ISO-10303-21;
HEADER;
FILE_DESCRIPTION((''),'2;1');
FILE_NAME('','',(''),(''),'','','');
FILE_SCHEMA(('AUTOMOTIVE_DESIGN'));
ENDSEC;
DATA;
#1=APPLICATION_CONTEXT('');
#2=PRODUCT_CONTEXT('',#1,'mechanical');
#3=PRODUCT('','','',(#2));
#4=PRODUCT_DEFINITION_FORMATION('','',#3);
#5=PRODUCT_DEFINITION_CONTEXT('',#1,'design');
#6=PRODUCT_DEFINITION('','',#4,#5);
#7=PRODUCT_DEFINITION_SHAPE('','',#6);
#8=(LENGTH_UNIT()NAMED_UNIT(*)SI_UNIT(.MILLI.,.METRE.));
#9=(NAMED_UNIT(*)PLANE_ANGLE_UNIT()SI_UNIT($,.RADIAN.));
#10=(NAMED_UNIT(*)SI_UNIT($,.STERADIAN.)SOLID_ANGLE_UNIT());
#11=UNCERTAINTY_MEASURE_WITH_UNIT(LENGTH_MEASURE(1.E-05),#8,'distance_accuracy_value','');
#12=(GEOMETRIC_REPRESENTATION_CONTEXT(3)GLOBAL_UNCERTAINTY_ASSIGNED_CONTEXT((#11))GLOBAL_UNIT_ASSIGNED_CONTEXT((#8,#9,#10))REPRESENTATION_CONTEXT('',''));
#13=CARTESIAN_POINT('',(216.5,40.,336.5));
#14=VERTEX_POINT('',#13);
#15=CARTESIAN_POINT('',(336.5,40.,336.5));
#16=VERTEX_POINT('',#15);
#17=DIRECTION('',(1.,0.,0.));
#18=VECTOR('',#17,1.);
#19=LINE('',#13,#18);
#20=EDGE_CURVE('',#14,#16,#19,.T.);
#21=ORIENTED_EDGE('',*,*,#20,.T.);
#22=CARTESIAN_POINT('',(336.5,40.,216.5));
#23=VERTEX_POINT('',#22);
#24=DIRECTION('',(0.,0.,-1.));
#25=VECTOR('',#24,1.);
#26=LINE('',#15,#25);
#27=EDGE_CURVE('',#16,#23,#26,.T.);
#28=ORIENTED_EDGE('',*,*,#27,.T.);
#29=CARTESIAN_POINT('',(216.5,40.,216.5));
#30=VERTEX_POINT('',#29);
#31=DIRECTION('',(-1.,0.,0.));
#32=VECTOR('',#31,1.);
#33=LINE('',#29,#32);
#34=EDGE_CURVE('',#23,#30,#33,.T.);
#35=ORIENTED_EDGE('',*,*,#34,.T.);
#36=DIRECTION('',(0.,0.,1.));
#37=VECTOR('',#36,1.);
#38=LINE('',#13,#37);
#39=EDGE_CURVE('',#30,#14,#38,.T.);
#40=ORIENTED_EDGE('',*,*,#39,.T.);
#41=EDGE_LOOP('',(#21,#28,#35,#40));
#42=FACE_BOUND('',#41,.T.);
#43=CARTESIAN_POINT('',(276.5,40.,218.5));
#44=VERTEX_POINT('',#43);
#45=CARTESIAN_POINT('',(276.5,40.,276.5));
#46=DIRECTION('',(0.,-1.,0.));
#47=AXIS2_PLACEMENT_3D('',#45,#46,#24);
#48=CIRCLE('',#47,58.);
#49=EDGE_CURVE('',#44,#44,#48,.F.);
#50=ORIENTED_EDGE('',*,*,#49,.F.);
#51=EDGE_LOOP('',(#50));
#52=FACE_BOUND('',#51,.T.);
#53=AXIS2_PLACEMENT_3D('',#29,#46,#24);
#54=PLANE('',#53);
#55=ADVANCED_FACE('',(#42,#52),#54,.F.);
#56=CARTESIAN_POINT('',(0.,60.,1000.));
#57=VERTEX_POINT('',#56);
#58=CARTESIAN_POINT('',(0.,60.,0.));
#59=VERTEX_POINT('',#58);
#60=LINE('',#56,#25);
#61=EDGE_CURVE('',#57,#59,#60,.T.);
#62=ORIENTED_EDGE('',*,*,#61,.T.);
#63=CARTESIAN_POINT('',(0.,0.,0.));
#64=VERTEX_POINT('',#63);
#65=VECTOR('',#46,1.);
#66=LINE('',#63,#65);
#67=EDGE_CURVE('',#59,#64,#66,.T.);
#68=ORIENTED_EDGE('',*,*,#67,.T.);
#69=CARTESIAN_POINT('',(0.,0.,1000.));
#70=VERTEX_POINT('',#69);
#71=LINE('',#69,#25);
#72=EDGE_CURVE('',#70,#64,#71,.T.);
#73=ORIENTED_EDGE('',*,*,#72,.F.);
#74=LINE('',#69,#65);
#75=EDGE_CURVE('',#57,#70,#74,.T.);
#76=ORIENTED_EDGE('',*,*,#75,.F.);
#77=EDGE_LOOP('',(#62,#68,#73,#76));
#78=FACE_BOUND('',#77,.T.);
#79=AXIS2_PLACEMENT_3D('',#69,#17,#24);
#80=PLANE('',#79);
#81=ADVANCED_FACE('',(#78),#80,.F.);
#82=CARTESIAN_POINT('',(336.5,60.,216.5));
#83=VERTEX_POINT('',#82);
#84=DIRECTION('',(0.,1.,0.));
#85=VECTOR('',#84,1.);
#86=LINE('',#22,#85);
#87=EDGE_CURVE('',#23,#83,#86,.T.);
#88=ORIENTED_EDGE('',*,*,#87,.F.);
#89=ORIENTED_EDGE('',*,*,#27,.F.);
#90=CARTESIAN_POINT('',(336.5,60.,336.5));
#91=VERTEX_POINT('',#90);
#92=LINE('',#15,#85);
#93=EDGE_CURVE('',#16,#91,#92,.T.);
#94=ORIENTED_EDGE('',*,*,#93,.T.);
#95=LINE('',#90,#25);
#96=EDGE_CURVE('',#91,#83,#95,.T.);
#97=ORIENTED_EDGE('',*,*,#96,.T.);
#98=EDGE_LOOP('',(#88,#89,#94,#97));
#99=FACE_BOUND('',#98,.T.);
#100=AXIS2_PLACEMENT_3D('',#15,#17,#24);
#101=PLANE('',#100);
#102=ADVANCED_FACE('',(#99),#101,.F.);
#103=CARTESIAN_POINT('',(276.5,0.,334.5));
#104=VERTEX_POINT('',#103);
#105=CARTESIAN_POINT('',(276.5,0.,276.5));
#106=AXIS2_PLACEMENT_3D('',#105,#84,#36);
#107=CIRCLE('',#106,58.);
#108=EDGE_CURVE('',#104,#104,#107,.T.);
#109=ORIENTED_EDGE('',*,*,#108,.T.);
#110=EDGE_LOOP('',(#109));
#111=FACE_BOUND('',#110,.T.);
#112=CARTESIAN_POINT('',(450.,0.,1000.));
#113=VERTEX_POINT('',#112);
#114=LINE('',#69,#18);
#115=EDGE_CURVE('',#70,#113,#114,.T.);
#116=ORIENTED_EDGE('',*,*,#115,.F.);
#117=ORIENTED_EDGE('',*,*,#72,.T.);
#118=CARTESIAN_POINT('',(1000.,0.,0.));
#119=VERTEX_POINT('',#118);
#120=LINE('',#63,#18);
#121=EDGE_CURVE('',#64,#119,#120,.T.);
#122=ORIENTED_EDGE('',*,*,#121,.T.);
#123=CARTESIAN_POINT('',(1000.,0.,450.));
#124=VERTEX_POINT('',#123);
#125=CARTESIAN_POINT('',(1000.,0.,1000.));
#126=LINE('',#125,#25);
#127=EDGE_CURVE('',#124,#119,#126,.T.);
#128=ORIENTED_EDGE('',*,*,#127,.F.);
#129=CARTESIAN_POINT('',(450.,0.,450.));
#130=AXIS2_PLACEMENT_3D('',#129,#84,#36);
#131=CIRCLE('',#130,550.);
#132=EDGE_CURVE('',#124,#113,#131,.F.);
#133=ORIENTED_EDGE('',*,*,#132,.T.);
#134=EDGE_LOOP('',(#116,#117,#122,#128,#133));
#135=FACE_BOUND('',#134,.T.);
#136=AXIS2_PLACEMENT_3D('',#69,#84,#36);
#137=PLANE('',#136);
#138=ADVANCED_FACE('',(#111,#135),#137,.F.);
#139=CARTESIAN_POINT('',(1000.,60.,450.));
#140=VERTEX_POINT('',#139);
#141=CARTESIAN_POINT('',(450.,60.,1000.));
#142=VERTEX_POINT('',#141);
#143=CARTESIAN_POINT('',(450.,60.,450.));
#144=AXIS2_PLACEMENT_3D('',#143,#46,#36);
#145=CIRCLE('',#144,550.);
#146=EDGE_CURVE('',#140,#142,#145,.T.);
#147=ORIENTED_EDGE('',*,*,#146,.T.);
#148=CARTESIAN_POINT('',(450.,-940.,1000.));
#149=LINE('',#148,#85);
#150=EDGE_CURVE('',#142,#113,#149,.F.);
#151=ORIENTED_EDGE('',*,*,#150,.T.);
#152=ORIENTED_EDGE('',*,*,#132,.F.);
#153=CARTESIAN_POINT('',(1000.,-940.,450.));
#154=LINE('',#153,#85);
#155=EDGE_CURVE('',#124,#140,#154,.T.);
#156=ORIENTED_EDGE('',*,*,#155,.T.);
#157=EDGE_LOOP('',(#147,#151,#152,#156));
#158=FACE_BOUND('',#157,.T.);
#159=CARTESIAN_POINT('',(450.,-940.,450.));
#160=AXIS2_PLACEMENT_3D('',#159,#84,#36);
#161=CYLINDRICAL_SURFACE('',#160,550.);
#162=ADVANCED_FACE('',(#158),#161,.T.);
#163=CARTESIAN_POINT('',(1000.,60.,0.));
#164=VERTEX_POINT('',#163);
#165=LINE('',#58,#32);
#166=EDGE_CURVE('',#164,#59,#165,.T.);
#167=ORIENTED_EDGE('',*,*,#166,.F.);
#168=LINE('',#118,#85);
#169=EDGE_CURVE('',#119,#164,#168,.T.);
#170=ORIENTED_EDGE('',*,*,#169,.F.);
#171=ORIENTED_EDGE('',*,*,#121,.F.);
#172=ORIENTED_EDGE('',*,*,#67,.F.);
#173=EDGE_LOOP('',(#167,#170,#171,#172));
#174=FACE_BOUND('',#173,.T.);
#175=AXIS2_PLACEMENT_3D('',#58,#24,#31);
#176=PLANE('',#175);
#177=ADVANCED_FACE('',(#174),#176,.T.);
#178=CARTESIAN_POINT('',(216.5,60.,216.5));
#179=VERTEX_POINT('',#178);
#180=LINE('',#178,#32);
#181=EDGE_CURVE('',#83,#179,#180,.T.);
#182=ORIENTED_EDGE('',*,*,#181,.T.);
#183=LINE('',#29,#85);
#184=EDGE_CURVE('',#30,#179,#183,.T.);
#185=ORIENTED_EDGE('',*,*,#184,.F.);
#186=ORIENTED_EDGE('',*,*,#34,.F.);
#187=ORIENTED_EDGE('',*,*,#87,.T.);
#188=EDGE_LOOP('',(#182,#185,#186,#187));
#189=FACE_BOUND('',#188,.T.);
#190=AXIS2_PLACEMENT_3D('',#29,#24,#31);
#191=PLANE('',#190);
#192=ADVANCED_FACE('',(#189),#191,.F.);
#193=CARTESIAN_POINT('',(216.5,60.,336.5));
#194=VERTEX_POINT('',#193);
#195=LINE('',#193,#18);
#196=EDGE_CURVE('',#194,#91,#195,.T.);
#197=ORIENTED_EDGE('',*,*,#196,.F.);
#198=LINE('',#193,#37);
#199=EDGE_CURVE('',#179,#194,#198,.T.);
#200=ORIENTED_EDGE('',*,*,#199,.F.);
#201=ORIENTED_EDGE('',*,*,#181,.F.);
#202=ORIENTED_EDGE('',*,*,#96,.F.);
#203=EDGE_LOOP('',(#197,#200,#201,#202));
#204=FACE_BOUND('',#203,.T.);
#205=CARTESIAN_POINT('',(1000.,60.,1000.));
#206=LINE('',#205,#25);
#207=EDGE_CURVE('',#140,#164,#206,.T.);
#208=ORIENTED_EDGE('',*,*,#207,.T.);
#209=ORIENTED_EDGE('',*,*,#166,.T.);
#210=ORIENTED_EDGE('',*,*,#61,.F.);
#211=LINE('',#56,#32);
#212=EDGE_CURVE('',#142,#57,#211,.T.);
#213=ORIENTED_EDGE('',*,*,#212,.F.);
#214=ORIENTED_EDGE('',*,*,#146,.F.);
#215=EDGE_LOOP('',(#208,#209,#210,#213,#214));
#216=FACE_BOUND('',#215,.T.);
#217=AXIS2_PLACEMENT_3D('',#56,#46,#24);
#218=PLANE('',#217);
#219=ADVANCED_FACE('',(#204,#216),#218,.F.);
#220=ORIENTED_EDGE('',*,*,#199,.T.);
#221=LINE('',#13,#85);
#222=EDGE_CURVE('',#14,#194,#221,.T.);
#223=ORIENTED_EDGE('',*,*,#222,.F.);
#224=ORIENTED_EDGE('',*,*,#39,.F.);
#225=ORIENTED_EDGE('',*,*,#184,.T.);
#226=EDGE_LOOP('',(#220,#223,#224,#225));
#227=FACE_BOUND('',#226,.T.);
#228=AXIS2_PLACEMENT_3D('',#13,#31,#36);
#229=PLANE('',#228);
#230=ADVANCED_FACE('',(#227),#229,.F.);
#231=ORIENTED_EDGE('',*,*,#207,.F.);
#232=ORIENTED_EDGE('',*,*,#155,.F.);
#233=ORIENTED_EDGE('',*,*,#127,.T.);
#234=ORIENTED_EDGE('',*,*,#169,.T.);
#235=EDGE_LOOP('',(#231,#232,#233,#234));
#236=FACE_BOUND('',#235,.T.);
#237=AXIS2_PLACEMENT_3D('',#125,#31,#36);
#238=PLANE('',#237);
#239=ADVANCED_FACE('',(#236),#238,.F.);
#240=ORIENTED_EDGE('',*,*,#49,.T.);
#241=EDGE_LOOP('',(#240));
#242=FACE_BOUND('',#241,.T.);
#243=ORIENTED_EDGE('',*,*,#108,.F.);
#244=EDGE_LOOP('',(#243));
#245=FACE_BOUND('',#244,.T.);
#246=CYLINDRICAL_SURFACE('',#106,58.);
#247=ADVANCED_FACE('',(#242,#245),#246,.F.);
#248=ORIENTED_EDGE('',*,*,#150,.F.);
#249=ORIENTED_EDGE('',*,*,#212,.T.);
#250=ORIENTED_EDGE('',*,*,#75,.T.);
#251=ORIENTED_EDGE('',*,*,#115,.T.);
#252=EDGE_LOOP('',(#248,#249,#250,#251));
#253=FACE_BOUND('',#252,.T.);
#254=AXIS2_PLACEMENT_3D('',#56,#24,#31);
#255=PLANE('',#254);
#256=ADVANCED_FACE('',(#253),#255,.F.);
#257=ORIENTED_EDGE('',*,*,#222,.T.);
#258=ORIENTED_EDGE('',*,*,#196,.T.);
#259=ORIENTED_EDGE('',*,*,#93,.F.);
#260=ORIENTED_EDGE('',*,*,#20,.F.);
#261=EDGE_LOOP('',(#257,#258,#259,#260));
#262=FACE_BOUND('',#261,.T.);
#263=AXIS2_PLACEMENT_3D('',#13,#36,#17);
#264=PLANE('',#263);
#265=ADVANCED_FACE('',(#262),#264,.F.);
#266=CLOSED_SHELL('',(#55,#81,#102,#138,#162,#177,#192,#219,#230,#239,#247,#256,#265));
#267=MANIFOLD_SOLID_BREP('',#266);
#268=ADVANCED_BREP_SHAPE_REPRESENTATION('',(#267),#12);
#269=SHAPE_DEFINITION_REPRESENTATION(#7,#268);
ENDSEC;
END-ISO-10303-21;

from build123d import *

# Parameters (mm, degrees)
SKIZZE1_W                       = 1000
SKIZZE1_H                       = 60
AUFSATZ_LINEAR_AUSTRAGEN1_DEPTH = 1000
SCHNITT_LINEAR_AUSTRAGEN1_DEPTH = 1000
SKIZZE3_R                       = 58
SCHNITT_LINEAR_AUSTRAGEN2_DEPTH = 61
SKIZZE4_W                       = 120
SKIZZE4_H                       = 120
SCHNITT_LINEAR_AUSTRAGEN3_DEPTH = 20


with BuildPart() as part:
    # Skizze1 → Aufsatz-Linear austragen1 (new body)
    with BuildSketch(Plane.XY):
        with Locations((500, 30)):
            Rectangle(SKIZZE1_W, SKIZZE1_H)
    extrude(amount=AUFSATZ_LINEAR_AUSTRAGEN1_DEPTH)

    # Skizze2 → Schnitt-Linear austragen1 (cut)
    with BuildSketch(Plane(origin=(0, 60, 0), x_dir=(1, 0, 0), z_dir=(0, 1, 0))):
        with BuildLine():
            Line((1000, -1000), (1000, -450))
            ThreePointArc((1000, -450), (838.908729653, -838.908729653), (450, -1000))
            Line((450, -1000), (1000, -1000))
        make_face()
    extrude(amount=-SCHNITT_LINEAR_AUSTRAGEN1_DEPTH, mode=Mode.SUBTRACT)

    # Skizze3 → Schnitt-Linear austragen2 (cut, through all)
    with BuildSketch(Plane(origin=(0, 60, 0), x_dir=(1, 0, 0), z_dir=(0, 1, 0))):
        with Locations(Location((276.5, -276.5, 0), (0, 0, 270))):  # turned: the seam where the file's is
            Circle(SKIZZE3_R)
    extrude(amount=-SCHNITT_LINEAR_AUSTRAGEN2_DEPTH, mode=Mode.SUBTRACT)

    # Skizze4 → Schnitt-Linear austragen3 (cut)
    with BuildSketch(Plane(origin=(0, 60, 0), x_dir=(1, 0, 0), z_dir=(0, 1, 0))):
        with Locations((276.5, -276.5)):
            Rectangle(SKIZZE4_W, SKIZZE4_H)
    extrude(amount=-SCHNITT_LINEAR_AUSTRAGEN3_DEPTH, mode=Mode.SUBTRACT)


solid = part.part
